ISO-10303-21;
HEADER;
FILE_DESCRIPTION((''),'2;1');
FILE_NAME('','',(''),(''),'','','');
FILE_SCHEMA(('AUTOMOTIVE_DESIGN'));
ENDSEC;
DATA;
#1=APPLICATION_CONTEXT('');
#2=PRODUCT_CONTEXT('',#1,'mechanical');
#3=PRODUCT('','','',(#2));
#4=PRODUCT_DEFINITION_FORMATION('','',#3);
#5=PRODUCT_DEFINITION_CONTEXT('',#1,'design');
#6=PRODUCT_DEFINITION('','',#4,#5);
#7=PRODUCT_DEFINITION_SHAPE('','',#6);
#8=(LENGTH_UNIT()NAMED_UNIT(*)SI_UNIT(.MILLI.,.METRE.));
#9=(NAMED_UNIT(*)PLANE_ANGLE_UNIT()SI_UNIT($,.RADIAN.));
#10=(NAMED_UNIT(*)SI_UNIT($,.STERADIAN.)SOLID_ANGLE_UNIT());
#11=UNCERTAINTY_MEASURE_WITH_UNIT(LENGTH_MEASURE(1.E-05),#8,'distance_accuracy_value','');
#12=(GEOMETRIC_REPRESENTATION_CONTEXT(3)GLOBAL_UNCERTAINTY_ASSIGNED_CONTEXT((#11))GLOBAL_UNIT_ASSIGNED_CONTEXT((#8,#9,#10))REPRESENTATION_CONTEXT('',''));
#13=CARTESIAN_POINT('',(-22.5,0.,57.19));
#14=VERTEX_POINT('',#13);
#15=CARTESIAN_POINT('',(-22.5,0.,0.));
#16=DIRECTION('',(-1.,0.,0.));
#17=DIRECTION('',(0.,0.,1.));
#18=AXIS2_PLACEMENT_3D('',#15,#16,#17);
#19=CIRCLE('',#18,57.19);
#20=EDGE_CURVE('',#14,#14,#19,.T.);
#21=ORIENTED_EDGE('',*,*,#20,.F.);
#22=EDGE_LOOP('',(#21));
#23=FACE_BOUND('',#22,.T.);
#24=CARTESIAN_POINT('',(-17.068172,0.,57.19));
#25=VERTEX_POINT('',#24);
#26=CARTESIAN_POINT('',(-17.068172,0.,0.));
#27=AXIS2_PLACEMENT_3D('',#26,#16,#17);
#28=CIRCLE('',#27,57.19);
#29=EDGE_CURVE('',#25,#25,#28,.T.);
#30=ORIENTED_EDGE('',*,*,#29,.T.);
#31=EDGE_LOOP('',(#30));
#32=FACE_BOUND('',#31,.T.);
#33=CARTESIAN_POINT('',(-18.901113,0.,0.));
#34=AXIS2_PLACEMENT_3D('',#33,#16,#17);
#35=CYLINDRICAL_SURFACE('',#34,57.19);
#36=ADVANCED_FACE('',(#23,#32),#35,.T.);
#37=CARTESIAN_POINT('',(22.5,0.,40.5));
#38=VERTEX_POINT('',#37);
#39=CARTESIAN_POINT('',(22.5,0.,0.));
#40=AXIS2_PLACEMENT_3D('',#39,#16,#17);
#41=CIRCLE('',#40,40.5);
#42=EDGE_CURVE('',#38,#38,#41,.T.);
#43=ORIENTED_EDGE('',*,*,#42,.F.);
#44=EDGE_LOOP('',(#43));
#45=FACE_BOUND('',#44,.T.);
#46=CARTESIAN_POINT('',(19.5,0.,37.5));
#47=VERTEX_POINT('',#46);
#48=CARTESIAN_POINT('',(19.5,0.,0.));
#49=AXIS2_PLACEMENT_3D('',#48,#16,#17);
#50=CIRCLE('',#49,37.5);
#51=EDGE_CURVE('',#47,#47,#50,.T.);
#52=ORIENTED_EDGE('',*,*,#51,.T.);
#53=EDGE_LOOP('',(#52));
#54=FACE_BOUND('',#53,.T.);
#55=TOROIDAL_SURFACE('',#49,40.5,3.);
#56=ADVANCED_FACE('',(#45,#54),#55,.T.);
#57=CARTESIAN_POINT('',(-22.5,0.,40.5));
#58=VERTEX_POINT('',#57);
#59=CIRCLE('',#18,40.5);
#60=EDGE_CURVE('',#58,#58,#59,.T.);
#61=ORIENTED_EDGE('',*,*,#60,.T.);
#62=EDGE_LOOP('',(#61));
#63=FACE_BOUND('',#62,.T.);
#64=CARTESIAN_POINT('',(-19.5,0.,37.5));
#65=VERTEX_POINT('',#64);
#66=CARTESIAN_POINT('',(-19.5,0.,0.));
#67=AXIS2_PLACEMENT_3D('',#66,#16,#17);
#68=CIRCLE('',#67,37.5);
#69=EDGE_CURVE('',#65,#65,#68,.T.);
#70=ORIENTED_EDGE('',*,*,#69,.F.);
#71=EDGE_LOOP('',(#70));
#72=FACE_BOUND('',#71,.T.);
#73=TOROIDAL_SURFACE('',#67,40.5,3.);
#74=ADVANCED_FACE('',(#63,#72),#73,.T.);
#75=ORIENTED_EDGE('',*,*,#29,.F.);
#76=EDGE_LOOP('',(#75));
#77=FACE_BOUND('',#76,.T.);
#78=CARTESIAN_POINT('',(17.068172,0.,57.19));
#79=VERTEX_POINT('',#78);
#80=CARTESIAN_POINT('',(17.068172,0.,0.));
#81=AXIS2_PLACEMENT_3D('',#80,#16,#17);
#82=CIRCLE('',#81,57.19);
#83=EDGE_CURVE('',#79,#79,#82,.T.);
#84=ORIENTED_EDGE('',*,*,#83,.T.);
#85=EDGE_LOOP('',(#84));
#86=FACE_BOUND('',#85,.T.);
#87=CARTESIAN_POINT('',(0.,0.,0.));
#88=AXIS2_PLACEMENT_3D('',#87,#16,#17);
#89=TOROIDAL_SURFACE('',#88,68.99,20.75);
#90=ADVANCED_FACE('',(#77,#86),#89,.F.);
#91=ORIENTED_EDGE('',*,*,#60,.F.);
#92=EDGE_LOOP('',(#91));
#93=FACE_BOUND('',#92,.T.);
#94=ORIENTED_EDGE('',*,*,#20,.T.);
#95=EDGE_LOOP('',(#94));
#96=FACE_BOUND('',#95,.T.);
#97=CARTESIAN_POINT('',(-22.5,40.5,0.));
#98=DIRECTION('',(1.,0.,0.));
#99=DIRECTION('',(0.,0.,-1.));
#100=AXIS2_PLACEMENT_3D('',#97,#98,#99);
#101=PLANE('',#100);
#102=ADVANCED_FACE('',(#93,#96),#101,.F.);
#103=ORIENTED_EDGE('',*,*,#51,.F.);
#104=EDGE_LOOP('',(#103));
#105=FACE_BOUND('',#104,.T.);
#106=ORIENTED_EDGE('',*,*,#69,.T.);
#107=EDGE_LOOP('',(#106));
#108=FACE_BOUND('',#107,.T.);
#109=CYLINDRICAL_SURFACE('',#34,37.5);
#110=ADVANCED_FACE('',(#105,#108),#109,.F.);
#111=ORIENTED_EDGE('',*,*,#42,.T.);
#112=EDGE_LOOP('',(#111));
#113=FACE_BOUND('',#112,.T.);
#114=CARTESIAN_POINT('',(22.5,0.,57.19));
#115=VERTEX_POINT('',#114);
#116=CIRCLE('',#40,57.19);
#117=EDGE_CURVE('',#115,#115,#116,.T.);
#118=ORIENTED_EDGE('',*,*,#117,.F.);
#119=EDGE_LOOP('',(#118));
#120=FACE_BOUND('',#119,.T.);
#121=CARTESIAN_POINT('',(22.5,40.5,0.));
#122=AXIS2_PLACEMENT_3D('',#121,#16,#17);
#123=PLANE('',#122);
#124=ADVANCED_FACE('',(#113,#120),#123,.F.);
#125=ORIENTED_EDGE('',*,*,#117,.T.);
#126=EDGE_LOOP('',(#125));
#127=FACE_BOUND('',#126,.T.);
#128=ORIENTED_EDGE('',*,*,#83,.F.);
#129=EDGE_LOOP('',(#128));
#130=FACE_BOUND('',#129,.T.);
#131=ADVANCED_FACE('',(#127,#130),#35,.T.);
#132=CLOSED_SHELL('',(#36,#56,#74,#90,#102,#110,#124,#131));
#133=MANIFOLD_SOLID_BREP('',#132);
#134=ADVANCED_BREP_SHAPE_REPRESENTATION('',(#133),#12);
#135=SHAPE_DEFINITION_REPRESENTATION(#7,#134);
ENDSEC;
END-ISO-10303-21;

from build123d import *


with BuildPart() as part:
    # Sketch1 → Revolve1 (revolve)
    with BuildSketch(Plane.XY, mode=Mode.PRIVATE) as revolve1_sk:
        with BuildLine():
            Line((17.068172134, 57.19), (22.5, 57.19))
            Line((22.5, 57.19), (22.5, 40.5))
            ThreePointArc((22.5, 40.5), (21.621320344, 38.378679656), (19.5, 37.5))
            Line((19.5, 37.5), (-19.5, 37.5))
            ThreePointArc((-19.5, 37.5), (-21.621320344, 38.378679656), (-22.5, 40.5))
            Line((-22.5, 40.5), (-22.5, 57.19))
            Line((-22.5, 57.19), (-17.068172134, 57.19))
            ThreePointArc((-17.068172134, 57.19), (0, 48.24), (17.068172134, 57.19))
        make_face()
    revolve(revolve1_sk.sketch.rotate(Axis((-18.901112782, 0, 0), (1, 0, 0)), 90), axis=Axis((-18.901112782, 0, 0), (1, 0, 0)))


solid = part.part
